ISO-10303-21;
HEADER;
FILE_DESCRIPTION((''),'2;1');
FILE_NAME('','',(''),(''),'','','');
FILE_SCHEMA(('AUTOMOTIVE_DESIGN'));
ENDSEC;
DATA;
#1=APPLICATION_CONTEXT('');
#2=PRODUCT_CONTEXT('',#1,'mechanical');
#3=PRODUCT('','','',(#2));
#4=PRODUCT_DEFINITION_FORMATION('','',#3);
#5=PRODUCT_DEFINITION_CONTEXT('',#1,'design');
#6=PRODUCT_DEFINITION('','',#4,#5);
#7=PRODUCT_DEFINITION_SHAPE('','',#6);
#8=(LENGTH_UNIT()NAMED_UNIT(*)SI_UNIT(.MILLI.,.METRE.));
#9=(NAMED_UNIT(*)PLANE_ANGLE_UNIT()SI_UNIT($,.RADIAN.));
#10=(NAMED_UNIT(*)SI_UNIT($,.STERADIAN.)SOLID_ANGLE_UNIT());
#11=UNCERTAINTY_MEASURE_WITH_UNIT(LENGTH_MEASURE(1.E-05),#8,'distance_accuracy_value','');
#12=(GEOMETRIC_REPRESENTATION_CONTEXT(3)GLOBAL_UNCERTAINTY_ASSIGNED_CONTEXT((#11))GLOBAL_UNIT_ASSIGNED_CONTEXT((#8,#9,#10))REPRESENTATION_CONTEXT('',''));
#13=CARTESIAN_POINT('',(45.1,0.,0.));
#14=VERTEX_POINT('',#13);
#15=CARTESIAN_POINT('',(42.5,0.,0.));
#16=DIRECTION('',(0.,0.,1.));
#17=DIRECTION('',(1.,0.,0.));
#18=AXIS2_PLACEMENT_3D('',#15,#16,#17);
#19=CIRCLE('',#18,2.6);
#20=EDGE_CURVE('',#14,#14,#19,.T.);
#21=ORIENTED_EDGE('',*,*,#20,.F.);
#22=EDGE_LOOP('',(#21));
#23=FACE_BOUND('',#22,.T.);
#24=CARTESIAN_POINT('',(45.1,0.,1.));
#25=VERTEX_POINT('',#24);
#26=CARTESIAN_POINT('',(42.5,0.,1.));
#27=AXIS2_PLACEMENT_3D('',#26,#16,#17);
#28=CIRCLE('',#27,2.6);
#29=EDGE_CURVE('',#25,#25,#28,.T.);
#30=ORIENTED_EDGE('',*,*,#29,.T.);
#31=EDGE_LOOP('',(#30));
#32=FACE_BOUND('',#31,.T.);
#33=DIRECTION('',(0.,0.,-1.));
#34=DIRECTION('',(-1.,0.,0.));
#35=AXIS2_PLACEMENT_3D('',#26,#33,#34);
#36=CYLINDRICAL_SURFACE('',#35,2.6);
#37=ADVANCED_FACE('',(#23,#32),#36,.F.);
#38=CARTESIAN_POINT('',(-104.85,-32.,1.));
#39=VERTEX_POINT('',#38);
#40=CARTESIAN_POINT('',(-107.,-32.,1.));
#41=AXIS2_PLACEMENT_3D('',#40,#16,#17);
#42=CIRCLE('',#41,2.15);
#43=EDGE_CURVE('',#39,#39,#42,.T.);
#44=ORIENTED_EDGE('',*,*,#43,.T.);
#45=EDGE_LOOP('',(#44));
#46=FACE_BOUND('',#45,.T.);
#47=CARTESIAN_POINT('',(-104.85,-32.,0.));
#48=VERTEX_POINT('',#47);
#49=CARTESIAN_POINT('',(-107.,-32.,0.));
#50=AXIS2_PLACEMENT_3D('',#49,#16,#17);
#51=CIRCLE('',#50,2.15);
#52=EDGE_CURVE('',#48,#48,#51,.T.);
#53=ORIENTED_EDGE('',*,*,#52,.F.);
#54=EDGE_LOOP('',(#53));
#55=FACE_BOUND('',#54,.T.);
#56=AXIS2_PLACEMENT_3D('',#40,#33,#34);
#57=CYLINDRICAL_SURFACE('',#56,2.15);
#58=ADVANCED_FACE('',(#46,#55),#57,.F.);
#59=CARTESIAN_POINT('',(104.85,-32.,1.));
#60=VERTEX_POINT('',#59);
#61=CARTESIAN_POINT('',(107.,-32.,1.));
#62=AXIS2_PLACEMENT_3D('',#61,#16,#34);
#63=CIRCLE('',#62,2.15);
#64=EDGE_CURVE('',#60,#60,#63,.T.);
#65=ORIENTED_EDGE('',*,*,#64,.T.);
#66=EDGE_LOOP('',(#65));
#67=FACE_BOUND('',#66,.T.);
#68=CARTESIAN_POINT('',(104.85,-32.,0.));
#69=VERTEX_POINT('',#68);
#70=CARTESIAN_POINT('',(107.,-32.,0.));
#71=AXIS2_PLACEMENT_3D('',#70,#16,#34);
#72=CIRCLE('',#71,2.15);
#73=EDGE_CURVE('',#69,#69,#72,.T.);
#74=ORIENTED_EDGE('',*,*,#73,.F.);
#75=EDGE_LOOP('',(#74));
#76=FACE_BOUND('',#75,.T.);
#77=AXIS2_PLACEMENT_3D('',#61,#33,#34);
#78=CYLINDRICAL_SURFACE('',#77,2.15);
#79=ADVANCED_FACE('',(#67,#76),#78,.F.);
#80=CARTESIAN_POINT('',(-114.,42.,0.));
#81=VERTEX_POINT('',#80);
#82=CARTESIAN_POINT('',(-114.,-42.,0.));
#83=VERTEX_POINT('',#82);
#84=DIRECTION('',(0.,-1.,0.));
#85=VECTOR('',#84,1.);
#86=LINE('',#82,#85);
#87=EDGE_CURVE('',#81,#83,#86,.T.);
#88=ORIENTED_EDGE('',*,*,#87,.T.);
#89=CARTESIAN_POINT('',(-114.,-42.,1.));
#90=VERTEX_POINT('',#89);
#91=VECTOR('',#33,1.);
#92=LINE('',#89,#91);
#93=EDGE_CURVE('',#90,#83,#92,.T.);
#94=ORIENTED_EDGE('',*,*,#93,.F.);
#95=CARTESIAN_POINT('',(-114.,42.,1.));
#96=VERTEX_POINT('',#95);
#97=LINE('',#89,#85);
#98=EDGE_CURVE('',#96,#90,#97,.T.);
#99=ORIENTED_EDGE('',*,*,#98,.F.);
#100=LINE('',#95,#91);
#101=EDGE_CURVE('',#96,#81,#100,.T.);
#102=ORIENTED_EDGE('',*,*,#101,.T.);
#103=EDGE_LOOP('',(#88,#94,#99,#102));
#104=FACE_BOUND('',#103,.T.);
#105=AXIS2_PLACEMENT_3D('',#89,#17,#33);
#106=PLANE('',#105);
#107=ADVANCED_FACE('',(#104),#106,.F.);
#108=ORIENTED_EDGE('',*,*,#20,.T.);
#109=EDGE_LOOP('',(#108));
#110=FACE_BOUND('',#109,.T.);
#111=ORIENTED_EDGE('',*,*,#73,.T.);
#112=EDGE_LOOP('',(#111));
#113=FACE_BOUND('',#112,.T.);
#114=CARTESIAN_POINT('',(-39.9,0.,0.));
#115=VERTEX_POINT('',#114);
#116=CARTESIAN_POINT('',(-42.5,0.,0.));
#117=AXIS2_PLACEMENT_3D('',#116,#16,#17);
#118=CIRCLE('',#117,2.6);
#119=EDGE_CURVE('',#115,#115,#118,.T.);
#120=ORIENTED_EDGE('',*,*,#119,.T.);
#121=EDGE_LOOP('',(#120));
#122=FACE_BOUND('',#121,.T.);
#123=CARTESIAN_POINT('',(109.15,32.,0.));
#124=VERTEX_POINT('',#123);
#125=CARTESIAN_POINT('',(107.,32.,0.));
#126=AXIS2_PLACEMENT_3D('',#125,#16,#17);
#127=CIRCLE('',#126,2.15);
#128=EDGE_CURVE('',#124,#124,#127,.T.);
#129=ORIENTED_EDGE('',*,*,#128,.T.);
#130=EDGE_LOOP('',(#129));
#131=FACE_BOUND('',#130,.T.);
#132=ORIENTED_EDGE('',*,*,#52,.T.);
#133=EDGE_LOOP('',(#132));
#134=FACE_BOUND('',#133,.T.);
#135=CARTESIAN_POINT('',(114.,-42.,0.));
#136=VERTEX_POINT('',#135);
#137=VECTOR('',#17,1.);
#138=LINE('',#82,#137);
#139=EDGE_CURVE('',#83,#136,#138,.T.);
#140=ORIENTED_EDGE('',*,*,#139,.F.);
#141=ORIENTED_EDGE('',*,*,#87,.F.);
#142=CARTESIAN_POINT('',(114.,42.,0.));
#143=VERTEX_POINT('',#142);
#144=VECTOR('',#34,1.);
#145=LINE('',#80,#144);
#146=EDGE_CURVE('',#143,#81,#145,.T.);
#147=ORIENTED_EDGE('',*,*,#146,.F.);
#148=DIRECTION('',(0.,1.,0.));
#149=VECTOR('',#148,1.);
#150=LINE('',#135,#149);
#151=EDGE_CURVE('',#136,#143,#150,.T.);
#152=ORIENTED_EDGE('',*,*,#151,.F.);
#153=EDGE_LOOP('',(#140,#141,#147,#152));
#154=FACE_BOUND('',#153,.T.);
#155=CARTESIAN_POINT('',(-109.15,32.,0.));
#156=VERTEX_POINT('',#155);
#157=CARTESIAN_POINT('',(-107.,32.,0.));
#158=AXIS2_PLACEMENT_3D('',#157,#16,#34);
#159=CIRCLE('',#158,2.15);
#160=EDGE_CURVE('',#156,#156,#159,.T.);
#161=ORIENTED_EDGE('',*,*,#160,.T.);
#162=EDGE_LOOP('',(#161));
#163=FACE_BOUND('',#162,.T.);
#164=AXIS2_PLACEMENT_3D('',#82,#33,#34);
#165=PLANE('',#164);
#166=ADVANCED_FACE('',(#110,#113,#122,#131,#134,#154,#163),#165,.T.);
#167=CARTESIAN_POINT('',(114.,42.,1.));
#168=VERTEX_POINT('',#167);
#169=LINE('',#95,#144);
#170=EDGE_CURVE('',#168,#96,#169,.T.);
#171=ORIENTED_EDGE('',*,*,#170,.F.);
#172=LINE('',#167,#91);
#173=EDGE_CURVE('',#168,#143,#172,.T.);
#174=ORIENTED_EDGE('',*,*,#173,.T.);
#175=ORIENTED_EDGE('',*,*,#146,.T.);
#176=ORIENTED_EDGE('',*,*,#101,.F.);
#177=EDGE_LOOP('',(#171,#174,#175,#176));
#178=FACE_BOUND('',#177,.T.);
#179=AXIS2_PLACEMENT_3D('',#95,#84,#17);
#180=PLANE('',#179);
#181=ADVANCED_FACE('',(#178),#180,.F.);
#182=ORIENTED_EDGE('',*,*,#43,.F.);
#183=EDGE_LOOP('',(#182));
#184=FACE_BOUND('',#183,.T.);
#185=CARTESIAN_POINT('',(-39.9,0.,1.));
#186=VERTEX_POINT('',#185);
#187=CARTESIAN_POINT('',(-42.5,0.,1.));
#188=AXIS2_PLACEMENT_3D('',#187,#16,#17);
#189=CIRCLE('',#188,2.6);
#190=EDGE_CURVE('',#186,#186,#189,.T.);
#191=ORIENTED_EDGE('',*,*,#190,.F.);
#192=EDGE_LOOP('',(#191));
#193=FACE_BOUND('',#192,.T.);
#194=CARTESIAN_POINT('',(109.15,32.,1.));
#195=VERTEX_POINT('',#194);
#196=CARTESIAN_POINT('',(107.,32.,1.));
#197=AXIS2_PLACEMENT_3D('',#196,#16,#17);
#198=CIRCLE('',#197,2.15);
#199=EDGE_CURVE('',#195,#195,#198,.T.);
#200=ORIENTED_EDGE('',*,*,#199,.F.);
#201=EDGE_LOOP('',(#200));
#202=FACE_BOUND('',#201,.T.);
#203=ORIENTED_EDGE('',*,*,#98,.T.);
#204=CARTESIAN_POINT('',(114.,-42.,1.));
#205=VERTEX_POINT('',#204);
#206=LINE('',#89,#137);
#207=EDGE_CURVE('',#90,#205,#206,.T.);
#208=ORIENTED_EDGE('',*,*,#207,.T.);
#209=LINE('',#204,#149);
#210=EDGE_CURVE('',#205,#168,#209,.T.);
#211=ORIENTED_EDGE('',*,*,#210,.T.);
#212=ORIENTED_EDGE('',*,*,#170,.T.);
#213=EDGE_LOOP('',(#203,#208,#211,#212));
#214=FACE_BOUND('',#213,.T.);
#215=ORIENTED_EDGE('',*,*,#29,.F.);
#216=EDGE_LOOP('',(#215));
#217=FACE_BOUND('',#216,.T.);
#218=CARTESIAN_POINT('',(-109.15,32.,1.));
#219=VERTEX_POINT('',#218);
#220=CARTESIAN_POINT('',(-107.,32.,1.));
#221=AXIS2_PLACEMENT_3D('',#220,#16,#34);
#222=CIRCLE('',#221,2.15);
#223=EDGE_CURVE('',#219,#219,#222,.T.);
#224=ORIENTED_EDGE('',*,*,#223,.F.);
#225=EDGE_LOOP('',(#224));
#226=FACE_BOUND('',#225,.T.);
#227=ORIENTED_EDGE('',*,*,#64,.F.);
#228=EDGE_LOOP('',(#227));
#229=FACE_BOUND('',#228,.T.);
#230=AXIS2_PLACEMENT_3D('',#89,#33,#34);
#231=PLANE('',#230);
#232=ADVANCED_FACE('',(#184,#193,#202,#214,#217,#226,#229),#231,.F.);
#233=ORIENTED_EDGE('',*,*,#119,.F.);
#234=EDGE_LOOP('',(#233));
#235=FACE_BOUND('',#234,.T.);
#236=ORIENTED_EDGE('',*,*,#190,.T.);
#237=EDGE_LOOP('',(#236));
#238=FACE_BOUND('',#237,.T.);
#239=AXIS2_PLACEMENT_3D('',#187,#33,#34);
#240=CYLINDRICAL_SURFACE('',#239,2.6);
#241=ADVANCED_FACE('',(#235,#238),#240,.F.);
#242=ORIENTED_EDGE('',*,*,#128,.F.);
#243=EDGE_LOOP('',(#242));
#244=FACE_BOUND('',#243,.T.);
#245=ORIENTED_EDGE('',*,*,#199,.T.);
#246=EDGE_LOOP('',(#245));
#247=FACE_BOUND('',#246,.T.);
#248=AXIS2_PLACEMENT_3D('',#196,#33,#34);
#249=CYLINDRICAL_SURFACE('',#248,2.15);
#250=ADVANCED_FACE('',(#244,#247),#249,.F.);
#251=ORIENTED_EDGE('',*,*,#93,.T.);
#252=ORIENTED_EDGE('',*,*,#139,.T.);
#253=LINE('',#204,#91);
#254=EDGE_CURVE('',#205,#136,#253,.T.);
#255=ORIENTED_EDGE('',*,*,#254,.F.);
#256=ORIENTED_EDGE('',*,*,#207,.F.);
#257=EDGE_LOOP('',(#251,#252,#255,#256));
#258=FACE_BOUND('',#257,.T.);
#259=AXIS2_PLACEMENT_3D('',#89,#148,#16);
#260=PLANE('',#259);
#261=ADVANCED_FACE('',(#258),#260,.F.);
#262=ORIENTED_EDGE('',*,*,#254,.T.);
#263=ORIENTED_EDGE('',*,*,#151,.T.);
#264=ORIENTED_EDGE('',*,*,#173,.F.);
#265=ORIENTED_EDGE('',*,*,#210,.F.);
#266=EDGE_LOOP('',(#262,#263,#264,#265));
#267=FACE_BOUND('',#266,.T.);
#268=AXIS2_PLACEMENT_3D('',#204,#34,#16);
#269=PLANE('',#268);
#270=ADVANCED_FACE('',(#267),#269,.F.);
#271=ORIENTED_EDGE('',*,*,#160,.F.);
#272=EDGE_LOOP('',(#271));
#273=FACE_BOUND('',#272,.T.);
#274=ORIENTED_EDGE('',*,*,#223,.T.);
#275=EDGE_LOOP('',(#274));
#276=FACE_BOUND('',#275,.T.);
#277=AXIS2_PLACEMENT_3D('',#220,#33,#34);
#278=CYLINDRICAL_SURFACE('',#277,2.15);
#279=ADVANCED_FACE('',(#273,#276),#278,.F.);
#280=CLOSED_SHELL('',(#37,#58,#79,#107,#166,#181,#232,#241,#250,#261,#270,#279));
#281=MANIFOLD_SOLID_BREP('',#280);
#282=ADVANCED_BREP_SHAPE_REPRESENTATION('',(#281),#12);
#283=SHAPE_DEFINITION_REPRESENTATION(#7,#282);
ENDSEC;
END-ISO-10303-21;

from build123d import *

# Parameters (mm, degrees)
SKETCH_1_W      = 228
SKETCH_1_H      = 84
SKETCH_1_R      = 2.6
SKETCH_1_R_2    = 2.15
EXTRUDE_1_DEPTH = 1


with BuildPart() as part:
    # Эскиз1 → Вытянуть1 (new body)
    with BuildSketch(Plane.XY):
        Rectangle(SKETCH_1_W, SKETCH_1_H)
        with Locations((-42.5, 0)):
            Circle(SKETCH_1_R, mode=Mode.SUBTRACT)
        with Locations((42.5, 0)):
            Circle(SKETCH_1_R, mode=Mode.SUBTRACT)
        with Locations((107, 32)):
            Circle(SKETCH_1_R_2, mode=Mode.SUBTRACT)
        with Locations(Location((-107, 32, 0), (0, 0, 180))):
            Circle(SKETCH_1_R_2, mode=Mode.SUBTRACT)
        with Locations((-107, -32)):
            Circle(SKETCH_1_R_2, mode=Mode.SUBTRACT)
        with Locations(Location((107, -32, 0), (0, 0, 180))):
            Circle(SKETCH_1_R_2, mode=Mode.SUBTRACT)
    extrude(amount=EXTRUDE_1_DEPTH)


solid = part.part
